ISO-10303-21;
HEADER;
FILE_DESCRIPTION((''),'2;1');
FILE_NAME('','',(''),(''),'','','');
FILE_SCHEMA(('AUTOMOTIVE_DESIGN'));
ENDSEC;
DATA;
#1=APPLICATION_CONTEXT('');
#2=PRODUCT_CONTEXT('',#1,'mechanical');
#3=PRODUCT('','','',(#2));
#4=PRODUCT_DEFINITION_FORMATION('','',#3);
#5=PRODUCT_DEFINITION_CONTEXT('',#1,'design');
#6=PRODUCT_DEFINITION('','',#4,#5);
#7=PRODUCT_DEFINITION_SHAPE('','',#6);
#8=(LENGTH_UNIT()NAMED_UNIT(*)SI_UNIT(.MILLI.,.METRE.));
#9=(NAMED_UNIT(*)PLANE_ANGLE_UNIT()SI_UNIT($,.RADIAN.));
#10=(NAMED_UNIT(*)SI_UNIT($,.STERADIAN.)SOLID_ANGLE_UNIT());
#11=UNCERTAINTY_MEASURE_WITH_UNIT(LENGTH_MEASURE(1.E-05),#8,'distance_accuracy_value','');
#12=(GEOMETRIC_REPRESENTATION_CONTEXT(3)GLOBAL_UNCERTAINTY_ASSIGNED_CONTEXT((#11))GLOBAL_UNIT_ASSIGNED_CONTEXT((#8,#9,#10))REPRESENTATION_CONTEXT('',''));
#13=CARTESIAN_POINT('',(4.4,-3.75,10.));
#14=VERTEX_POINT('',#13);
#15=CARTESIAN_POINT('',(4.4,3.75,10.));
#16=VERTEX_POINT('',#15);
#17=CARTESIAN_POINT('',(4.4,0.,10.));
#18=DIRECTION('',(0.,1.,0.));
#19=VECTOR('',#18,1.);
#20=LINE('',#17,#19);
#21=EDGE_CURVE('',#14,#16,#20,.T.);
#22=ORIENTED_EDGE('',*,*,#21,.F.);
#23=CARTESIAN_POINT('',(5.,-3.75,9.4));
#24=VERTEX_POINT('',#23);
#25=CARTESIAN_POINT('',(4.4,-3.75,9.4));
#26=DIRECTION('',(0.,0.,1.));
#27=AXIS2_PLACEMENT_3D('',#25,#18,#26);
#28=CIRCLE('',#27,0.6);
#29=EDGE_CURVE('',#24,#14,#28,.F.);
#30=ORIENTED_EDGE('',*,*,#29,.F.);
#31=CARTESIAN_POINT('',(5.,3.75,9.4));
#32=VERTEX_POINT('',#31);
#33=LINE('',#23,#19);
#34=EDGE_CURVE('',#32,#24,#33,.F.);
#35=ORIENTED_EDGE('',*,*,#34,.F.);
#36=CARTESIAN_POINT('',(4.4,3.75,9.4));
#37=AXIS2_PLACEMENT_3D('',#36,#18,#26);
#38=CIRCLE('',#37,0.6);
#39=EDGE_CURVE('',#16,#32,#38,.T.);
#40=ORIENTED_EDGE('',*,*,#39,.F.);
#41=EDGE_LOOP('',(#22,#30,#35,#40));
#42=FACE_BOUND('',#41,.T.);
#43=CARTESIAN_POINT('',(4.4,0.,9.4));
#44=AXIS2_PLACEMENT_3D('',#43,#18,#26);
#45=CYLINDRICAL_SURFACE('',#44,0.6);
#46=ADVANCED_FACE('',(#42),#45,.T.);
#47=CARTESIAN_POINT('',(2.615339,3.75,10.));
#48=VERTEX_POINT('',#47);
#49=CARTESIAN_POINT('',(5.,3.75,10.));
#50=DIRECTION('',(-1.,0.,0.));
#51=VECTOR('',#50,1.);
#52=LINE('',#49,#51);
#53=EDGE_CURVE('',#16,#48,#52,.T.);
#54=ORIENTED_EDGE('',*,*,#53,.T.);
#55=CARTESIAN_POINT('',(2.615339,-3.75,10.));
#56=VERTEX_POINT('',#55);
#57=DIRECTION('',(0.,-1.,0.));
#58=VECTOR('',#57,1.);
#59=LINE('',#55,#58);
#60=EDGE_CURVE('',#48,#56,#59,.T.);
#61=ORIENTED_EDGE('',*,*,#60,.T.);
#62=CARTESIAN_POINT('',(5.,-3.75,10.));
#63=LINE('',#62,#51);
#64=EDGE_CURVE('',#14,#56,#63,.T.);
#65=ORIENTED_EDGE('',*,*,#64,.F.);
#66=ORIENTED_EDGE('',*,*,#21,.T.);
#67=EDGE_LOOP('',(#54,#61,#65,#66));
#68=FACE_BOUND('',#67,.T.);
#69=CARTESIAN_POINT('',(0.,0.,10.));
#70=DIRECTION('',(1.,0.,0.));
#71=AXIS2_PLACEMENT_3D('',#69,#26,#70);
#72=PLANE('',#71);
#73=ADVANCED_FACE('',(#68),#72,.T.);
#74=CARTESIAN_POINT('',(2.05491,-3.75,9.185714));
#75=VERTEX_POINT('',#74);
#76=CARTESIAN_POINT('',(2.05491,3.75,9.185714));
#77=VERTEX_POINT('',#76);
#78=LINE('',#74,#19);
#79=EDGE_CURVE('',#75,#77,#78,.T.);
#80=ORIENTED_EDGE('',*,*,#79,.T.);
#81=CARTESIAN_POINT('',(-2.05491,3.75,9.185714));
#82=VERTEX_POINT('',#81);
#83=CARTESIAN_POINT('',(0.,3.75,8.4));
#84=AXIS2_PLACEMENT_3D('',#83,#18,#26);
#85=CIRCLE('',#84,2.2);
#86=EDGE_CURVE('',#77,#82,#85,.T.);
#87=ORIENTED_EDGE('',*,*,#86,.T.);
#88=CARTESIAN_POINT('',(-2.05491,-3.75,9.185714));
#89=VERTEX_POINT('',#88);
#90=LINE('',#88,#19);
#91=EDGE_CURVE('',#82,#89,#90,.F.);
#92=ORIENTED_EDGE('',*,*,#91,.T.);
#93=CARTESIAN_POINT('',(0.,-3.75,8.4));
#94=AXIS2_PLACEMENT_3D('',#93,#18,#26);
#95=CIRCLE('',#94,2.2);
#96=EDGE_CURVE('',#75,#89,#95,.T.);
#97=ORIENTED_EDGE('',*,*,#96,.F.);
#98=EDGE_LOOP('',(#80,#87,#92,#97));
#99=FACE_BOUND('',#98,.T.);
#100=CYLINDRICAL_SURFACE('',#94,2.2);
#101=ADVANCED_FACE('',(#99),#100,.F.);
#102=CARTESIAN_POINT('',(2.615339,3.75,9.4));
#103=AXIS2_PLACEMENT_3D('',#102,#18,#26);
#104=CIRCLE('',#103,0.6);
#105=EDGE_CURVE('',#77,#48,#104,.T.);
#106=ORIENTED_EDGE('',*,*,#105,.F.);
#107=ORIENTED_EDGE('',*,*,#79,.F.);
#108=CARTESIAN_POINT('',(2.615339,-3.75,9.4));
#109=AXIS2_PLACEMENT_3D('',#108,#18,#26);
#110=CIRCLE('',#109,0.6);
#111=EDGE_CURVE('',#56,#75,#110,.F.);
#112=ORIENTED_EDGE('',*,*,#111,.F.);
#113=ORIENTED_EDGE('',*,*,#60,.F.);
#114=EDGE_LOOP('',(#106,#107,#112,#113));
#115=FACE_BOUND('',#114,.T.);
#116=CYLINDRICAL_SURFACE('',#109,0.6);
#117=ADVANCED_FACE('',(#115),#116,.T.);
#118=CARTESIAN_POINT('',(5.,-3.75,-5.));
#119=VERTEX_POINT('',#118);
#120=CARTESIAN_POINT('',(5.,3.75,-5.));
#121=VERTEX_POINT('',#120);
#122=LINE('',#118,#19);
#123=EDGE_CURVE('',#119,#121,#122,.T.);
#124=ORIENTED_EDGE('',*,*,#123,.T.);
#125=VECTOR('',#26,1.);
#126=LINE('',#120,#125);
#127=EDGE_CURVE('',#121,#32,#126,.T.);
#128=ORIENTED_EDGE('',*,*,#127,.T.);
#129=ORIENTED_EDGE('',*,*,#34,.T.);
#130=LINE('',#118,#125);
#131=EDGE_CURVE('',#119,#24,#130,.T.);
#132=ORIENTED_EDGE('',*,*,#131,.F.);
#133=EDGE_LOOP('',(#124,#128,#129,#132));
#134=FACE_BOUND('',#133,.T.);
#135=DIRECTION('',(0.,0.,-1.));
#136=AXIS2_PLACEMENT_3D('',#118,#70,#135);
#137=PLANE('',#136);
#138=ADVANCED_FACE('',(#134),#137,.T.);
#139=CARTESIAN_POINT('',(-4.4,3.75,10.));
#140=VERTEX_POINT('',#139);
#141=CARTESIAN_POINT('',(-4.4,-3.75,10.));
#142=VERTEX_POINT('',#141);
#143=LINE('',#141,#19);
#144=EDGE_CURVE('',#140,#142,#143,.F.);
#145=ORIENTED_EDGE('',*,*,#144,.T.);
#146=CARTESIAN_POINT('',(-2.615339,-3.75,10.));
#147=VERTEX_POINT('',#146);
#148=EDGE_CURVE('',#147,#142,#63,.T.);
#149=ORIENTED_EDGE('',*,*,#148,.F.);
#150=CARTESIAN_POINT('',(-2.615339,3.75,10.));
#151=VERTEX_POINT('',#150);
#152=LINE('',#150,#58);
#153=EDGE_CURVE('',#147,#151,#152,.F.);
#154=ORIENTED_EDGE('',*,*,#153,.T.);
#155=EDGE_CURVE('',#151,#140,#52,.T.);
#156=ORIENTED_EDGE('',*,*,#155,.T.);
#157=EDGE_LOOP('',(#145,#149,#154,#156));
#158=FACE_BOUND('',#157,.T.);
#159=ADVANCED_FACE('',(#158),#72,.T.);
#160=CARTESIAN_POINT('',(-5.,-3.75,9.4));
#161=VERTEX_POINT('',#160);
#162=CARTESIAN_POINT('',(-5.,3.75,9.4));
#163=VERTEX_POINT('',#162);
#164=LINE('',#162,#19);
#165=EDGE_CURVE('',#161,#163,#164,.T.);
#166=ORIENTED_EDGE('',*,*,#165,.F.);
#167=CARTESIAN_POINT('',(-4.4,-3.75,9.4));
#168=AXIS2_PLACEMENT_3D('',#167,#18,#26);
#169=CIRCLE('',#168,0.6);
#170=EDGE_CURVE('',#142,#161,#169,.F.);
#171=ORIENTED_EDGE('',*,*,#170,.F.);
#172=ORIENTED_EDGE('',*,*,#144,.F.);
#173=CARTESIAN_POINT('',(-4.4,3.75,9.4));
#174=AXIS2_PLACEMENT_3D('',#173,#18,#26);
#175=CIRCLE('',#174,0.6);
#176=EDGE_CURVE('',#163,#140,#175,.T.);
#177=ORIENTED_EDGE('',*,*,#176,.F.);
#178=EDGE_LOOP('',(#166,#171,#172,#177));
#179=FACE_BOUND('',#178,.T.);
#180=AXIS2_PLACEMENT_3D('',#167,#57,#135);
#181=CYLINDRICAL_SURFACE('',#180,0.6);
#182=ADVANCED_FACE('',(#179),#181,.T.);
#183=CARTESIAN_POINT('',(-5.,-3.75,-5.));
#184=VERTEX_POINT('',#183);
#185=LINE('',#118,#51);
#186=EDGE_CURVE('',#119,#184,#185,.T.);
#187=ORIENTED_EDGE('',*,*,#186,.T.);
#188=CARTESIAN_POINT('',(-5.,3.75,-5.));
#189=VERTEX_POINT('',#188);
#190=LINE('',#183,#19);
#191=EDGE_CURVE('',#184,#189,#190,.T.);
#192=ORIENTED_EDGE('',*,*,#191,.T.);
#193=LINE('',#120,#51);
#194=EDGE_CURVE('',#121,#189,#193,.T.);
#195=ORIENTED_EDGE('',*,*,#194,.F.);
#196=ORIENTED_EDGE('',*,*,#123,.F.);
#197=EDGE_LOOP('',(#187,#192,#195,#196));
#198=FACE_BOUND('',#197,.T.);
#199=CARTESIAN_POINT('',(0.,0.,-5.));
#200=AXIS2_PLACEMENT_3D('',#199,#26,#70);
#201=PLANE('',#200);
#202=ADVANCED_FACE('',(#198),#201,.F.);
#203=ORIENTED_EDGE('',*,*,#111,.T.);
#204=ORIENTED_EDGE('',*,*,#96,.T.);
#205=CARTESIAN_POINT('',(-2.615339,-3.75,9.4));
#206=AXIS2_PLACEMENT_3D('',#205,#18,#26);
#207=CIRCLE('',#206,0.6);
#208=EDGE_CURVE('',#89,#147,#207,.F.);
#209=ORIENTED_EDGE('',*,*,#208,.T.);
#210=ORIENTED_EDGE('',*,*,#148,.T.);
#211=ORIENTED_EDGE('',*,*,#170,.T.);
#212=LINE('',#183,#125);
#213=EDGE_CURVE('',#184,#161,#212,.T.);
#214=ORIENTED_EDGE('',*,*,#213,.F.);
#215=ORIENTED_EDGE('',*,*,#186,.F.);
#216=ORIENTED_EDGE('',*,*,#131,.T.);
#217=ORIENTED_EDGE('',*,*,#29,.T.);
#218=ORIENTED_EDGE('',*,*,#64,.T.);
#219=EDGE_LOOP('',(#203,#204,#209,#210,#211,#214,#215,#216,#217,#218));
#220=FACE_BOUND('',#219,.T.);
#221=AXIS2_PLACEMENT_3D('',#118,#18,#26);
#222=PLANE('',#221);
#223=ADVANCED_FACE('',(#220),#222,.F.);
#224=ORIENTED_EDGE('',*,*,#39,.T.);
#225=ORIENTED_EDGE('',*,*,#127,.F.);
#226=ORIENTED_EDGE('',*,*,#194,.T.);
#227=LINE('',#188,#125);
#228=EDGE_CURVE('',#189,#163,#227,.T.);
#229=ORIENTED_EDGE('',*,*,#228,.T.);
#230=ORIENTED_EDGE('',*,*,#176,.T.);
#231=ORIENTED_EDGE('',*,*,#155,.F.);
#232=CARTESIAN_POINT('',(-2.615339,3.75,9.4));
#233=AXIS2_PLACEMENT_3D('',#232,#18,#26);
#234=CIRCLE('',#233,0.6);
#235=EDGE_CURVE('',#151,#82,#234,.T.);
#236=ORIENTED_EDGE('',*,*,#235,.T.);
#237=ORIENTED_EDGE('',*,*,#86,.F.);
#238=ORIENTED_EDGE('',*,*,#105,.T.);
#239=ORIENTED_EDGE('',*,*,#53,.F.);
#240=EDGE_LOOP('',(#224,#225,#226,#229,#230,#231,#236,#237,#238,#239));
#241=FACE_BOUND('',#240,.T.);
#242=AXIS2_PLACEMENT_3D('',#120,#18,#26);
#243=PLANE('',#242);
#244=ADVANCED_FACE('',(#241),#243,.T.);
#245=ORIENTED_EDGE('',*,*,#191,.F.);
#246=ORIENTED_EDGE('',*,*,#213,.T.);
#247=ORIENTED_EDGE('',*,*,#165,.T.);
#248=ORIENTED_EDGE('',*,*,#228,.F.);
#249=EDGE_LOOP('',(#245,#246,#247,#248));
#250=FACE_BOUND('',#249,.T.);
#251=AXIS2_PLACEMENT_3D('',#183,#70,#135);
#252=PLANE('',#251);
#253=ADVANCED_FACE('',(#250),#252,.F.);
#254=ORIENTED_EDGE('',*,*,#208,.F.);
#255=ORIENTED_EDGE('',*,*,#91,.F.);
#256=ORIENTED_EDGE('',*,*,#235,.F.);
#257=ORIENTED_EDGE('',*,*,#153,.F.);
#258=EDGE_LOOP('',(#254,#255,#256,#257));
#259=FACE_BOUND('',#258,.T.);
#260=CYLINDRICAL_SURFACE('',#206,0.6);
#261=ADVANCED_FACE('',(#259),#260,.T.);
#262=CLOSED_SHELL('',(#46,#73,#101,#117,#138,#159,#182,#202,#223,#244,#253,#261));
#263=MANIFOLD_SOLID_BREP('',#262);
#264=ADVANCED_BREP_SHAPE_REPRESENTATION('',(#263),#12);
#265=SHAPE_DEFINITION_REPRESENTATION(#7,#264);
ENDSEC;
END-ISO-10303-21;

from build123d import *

# Parameters (mm, degrees)
BOSS_EXTRUDE1_DEPTH      = 10
BOSS_EXTRUDE1_DEPTH_BACK = 5
SKETCH1_W                = 7.5
SKETCH1_H                = 10
SKETCH2_R                = 2.2
CUT_EXTRUDE1_DEPTH       = 14.462912018
FILLET1_R                = 0.6


with BuildPart() as part:
    # Sketch1 → Boss-Extrude1 (new, two sides: drawn at the far end of the back side and taken through both)
    with BuildSketch(Plane(origin=(0, 0, 0), x_dir=(0, 1, 0), z_dir=(0, 0, 1)).offset(-BOSS_EXTRUDE1_DEPTH_BACK)):
        Rectangle(SKETCH1_W, SKETCH1_H)
    extrude(amount=BOSS_EXTRUDE1_DEPTH + BOSS_EXTRUDE1_DEPTH_BACK)

    # Sketch2 → Cut-Extrude1 (cut, through all)
    with BuildSketch(Plane(origin=(0, 3.75, 0), x_dir=(-1, 0, 0), z_dir=(0, 1, 0))):
        with Locations((0, 8.4)):
            Circle(SKETCH2_R)
    extrude(amount=-CUT_EXTRUDE1_DEPTH, mode=Mode.SUBTRACT)

    # Fillet1
    fillet1_edges = [part.edges().sort_by_distance(p)[0] for p in [
        (-5, 0, 10),
        (5, 0, 10),
        (-1.509966887, 0, 10),
        (1.509966887, 0, 10),
    ]]
    fillet(fillet1_edges, radius=FILLET1_R)


solid = part.part
